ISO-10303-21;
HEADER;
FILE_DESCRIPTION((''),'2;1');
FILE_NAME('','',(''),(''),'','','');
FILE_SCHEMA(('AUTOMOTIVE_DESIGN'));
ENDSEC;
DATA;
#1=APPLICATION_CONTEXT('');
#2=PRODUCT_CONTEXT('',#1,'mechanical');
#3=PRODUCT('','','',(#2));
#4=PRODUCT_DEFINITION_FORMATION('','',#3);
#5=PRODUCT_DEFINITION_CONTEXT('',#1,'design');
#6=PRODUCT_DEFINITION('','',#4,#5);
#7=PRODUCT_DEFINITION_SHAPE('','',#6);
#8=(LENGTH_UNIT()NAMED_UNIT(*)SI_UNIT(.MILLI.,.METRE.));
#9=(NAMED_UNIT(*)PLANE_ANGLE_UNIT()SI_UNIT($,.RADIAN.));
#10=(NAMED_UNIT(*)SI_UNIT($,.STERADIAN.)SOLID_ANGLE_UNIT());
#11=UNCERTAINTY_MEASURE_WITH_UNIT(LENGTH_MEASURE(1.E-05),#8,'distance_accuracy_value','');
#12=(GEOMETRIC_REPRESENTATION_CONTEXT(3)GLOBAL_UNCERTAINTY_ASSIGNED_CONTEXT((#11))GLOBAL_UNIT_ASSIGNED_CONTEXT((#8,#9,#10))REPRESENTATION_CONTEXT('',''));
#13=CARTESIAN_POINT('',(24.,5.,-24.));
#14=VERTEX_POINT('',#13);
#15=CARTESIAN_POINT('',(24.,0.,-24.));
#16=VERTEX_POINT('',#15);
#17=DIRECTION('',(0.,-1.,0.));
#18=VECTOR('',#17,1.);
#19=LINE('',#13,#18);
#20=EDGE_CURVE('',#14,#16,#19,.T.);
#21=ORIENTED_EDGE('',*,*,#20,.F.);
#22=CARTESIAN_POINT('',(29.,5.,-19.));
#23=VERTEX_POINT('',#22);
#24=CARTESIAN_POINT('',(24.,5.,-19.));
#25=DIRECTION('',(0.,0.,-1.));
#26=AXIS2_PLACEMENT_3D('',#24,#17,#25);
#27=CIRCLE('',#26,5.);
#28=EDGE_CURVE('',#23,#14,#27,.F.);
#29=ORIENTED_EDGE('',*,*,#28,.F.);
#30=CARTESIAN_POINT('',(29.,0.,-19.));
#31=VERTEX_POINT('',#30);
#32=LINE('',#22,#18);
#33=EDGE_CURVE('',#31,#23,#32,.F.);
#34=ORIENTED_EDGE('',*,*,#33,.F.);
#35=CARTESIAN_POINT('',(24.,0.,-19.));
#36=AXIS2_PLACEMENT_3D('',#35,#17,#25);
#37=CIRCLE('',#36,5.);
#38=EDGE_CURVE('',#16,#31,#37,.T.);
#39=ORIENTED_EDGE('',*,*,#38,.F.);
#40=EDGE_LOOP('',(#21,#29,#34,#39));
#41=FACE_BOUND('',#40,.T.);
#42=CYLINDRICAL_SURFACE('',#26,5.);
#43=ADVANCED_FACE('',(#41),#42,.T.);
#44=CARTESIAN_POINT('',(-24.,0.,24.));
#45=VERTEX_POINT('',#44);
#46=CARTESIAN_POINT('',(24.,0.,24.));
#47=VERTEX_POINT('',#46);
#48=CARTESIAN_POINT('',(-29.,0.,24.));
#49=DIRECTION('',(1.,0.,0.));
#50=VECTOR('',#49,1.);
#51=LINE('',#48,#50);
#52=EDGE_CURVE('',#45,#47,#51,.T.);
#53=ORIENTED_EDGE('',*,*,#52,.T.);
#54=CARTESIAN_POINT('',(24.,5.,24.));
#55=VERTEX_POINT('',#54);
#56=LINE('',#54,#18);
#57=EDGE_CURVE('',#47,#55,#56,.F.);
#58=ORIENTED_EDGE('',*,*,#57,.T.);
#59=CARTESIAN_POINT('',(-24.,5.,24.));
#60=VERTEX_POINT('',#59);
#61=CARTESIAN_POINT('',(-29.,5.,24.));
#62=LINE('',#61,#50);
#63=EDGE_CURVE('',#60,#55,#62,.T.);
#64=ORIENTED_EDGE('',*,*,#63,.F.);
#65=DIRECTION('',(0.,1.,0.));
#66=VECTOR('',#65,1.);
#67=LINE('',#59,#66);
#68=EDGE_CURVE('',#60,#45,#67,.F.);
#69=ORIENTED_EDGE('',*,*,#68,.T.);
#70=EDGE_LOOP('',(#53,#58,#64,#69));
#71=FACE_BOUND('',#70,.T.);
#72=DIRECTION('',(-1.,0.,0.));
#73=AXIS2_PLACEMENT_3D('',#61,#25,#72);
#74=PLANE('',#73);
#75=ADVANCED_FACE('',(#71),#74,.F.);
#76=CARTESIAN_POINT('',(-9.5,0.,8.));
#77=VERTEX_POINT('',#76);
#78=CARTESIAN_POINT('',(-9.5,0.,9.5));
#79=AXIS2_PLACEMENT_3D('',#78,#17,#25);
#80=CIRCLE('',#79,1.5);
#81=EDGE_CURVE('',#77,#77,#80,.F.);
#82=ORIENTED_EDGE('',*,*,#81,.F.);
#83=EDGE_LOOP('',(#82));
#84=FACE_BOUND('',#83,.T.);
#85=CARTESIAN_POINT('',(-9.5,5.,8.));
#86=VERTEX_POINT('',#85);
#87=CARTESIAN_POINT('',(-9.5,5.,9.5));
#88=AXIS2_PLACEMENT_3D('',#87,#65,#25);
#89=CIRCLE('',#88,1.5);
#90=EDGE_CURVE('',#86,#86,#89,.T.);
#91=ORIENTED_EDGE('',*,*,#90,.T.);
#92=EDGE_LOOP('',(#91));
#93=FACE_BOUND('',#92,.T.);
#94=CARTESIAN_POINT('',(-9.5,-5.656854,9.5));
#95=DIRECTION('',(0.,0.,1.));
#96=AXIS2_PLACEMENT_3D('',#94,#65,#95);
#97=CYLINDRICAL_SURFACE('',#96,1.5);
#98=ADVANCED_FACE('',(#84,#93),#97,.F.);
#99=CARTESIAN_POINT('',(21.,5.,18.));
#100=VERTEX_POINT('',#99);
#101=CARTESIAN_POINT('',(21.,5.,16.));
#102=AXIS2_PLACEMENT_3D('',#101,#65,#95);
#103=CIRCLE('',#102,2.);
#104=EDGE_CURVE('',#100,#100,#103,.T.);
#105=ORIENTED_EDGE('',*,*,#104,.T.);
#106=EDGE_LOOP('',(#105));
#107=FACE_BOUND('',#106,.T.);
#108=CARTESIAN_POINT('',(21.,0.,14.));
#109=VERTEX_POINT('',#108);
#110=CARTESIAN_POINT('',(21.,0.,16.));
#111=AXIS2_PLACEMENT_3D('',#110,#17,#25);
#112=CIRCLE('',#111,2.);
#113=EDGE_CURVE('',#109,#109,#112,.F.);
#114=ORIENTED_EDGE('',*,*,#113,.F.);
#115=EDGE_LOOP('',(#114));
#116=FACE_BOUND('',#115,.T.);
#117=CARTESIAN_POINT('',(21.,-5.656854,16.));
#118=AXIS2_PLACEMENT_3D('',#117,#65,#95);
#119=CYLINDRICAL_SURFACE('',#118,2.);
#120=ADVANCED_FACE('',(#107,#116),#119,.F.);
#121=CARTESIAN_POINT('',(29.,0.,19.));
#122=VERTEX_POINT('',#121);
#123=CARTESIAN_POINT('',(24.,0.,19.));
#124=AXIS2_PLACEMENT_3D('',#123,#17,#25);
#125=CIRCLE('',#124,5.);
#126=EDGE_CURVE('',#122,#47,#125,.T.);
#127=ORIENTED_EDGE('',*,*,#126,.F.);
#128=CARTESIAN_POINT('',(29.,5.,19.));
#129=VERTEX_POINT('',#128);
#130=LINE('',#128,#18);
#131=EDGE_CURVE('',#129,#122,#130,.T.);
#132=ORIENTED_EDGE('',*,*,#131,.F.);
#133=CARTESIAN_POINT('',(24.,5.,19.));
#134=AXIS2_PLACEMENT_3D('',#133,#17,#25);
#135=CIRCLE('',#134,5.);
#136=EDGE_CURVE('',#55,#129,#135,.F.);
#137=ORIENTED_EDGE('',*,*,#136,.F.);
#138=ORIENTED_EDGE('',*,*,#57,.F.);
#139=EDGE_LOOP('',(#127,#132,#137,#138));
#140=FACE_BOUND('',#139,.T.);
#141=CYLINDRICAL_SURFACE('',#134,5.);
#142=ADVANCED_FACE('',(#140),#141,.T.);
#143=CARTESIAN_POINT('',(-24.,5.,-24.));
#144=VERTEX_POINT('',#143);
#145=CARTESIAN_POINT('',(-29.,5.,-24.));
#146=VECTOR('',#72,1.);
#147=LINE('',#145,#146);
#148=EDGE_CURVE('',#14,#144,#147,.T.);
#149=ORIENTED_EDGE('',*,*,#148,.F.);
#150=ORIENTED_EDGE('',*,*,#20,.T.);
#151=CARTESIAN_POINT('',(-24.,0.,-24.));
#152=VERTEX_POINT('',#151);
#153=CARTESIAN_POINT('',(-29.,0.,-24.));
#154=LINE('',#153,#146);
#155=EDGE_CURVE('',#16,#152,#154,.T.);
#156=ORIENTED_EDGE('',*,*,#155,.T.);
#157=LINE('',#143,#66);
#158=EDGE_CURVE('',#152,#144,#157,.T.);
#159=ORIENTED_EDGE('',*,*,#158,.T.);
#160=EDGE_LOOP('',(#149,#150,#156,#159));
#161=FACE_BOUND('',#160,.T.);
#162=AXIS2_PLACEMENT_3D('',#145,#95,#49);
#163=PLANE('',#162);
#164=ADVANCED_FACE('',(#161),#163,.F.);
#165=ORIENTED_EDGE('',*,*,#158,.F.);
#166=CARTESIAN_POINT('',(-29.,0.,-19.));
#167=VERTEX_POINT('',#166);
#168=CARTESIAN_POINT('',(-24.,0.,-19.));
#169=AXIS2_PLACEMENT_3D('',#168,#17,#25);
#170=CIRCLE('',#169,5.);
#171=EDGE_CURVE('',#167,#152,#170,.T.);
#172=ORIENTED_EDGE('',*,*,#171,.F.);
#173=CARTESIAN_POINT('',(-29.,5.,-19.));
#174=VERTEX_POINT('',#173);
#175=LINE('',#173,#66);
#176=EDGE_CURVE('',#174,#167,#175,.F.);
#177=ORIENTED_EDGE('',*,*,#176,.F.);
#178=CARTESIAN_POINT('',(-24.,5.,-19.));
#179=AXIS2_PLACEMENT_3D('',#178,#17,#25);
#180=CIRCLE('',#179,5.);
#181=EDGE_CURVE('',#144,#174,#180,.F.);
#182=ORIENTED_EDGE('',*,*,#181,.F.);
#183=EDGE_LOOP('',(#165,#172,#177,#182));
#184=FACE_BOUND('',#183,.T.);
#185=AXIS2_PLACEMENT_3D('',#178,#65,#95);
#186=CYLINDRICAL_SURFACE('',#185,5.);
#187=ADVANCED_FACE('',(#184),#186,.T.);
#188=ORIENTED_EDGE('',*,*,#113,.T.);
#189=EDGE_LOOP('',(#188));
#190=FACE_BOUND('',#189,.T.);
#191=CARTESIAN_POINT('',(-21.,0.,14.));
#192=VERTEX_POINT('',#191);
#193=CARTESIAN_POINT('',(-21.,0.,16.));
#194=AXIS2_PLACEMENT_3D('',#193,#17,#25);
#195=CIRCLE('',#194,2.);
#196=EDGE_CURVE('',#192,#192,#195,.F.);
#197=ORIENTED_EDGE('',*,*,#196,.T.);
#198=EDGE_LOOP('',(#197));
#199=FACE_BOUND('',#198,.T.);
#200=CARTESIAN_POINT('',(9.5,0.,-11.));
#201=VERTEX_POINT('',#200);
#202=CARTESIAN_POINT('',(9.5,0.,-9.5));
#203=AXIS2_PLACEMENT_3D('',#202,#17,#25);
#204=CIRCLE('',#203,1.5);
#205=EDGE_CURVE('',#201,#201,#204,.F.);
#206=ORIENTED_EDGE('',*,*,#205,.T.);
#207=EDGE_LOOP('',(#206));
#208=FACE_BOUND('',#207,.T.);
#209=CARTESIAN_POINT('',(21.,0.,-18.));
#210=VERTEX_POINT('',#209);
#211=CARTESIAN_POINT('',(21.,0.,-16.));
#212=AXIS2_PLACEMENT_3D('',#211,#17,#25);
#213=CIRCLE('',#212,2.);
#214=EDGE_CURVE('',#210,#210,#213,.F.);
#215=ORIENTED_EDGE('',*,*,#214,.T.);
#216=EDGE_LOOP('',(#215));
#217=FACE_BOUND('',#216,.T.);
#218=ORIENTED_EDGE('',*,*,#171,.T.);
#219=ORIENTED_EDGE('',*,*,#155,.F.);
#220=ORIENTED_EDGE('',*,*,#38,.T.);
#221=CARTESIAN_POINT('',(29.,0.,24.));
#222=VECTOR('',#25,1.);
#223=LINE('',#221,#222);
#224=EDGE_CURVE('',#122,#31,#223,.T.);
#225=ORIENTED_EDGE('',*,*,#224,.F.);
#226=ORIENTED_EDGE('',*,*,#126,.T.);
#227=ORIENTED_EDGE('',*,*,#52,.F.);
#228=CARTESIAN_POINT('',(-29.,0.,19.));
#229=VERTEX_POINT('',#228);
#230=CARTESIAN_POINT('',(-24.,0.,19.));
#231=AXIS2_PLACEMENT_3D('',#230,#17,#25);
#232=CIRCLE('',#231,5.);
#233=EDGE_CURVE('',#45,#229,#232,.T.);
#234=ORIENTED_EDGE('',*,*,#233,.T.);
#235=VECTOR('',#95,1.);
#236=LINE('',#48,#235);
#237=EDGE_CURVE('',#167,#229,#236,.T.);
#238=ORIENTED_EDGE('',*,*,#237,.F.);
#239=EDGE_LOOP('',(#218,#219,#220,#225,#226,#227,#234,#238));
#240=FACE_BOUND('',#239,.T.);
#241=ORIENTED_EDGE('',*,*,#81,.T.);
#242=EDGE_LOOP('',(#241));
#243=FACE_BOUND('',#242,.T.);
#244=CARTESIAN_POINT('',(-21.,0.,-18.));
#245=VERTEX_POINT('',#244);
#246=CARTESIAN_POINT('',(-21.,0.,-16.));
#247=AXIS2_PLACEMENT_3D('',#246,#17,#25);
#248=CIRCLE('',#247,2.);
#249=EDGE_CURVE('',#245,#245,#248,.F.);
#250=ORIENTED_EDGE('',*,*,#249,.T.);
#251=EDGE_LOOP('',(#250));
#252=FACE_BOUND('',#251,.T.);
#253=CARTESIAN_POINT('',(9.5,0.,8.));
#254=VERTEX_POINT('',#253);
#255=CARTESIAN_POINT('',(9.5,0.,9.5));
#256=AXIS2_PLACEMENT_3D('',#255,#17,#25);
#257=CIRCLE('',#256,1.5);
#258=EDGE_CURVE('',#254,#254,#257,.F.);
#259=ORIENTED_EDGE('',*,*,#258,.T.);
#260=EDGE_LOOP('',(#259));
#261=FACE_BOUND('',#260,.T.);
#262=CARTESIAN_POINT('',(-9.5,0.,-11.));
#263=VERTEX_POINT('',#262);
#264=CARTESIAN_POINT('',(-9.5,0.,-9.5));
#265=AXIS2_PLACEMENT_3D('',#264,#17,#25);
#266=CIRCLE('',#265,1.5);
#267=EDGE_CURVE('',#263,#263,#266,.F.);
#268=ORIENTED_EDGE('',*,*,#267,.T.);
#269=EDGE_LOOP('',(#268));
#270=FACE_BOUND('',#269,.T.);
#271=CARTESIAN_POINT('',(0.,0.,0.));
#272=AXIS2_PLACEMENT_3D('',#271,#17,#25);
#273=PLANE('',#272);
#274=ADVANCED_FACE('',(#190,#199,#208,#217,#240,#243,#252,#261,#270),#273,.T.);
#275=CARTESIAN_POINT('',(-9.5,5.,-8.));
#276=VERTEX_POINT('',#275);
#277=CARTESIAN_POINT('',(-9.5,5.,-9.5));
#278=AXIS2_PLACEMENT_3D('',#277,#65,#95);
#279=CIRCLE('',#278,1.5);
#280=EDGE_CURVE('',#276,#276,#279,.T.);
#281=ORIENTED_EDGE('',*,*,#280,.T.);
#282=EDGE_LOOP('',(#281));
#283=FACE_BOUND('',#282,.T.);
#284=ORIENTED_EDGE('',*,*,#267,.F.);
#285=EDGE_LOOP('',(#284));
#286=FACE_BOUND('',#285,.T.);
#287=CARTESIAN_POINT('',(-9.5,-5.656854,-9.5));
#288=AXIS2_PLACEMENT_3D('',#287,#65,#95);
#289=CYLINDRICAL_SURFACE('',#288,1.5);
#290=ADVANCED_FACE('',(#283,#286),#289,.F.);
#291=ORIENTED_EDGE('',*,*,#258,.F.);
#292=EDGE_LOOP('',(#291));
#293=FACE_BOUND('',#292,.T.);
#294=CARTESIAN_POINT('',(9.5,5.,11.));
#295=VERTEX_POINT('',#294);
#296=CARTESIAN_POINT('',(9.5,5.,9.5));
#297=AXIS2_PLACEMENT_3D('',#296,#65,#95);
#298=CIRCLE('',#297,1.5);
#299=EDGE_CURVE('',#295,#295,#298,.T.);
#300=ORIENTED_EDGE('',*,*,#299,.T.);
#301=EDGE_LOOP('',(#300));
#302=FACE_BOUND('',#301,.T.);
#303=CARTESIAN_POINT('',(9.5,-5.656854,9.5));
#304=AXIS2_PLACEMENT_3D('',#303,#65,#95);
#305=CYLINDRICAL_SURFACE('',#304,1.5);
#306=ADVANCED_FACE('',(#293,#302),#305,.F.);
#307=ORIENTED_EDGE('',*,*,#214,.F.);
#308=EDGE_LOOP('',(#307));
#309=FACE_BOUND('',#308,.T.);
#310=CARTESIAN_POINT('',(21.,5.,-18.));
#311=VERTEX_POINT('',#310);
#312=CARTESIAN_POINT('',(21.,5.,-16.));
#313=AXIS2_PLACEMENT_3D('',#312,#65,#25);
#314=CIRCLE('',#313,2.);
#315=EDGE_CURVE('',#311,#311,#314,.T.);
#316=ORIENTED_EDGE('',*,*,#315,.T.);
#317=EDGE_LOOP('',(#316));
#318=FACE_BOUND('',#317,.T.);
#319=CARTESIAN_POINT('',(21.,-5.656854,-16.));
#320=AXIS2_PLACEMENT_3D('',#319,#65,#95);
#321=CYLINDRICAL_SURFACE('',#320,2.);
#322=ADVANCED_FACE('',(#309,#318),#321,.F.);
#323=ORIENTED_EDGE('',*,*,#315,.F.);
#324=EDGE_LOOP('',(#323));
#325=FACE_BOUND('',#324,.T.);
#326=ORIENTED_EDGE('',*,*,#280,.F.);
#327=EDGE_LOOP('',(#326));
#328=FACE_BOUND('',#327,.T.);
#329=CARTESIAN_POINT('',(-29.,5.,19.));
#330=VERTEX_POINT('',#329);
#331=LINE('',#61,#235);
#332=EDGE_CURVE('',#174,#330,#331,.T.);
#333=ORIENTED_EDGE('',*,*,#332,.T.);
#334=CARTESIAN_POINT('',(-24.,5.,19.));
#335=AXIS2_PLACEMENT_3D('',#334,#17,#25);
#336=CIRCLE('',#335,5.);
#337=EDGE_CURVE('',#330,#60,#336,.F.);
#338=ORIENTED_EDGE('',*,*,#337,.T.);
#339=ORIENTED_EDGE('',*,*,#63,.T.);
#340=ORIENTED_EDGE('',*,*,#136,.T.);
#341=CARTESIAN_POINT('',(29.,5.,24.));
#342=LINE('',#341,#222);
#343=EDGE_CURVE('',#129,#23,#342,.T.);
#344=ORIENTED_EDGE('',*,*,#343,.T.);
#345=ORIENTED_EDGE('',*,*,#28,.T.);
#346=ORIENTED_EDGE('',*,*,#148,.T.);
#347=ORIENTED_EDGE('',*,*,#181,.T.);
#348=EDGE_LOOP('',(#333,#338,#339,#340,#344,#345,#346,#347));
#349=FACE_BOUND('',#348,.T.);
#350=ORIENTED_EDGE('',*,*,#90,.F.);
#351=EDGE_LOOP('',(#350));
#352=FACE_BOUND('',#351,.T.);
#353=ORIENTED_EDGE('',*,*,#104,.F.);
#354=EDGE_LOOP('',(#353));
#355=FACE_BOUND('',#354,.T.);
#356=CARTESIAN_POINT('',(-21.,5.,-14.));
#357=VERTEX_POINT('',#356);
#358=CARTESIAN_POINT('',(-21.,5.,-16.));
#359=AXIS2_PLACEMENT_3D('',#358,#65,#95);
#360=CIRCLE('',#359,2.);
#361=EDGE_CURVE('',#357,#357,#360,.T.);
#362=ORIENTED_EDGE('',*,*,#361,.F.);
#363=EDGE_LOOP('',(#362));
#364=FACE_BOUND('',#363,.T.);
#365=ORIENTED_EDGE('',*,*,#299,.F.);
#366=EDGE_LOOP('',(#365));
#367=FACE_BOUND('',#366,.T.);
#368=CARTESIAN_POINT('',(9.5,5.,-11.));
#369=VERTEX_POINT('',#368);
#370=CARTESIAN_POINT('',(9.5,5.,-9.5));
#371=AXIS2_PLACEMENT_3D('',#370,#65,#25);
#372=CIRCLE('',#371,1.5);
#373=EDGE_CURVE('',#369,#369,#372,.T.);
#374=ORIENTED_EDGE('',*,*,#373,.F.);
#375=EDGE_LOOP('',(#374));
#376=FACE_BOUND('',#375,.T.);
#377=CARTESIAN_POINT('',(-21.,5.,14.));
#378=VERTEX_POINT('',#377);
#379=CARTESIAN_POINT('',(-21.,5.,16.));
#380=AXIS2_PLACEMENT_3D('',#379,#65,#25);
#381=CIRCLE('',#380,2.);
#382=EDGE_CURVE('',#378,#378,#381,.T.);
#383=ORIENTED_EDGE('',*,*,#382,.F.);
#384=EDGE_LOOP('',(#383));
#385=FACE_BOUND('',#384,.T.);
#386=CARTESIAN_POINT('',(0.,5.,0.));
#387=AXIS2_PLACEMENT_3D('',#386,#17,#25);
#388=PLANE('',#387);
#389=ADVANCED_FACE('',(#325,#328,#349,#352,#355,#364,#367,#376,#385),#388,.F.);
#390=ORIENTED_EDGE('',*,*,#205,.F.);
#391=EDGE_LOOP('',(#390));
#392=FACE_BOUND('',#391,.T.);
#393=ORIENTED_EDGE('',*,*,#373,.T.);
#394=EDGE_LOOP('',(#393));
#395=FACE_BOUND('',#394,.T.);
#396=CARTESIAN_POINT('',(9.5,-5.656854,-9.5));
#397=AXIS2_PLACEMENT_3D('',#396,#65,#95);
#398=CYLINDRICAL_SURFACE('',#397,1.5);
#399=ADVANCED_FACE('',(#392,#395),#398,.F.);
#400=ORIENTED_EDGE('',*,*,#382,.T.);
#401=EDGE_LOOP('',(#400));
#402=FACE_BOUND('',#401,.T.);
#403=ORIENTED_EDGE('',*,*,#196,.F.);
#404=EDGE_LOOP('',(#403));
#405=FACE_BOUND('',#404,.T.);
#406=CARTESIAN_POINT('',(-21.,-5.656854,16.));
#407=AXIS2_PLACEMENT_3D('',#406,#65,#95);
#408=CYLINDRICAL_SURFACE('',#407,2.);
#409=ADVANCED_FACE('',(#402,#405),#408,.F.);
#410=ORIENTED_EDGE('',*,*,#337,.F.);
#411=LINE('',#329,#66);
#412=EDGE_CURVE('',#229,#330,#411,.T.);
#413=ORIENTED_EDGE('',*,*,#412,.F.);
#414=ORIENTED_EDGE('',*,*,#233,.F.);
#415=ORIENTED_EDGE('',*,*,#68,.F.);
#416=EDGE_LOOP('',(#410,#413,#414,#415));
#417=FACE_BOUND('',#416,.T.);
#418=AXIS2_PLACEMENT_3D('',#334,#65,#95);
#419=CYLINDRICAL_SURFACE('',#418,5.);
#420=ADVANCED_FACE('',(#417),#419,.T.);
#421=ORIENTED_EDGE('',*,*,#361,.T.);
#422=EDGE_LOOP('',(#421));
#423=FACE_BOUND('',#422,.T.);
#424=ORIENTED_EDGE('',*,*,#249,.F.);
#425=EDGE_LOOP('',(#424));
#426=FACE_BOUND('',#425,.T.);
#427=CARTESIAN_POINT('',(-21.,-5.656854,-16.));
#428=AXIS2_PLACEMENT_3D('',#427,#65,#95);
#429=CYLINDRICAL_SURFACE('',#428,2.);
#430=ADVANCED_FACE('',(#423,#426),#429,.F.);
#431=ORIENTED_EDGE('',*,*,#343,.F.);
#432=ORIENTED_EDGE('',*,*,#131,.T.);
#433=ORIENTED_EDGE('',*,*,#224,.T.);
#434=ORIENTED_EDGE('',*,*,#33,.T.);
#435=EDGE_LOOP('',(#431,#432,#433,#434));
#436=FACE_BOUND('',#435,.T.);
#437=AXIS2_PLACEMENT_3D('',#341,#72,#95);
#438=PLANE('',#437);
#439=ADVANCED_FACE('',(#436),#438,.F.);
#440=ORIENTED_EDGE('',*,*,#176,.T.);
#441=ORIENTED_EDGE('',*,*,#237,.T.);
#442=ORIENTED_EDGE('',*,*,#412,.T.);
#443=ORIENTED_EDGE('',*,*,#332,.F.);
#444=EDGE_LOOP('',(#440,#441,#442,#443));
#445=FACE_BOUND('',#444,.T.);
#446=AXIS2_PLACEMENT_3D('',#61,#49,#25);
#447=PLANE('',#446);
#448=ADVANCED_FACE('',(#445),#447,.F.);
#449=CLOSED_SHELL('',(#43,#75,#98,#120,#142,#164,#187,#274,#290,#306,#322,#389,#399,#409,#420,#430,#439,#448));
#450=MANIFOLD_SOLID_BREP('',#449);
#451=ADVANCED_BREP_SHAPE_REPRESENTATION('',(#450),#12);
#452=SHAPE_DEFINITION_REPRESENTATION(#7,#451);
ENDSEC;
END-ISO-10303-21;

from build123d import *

# Parameters (mm, degrees)
SKETCH1_W           = 58
SKETCH1_H           = 48
BOSS_EXTRUDE1_DEPTH = 5
SKETCH2_R           = 2
SKETCH2_R_2         = 1.5
CUT_EXTRUDE1_DEPTH  = 5
FILLET1_R           = 5
FILLET2_R           = 5
FILLET3_R           = 5
FILLET4_R           = 5


with BuildPart() as part:
    # Sketch1 → Boss-Extrude1 (new body)
    with BuildSketch(Plane(origin=(0, 0, 0), x_dir=(1, 0, 0), z_dir=(0, 1, 0))):
        Rectangle(SKETCH1_W, SKETCH1_H)
    extrude(amount=BOSS_EXTRUDE1_DEPTH)

    # Sketch2 → Cut-Extrude1 (cut)
    with BuildSketch(Plane(origin=(0, 5, 0), x_dir=(1, 0, 0), z_dir=(0, 1, 0))):
        with Locations((21, -16)):
            Circle(SKETCH2_R)
        with Locations((-21, -16)):
            Circle(SKETCH2_R)
        with Locations((-21, 16)):
            Circle(SKETCH2_R)
        with Locations((21, 16)):
            Circle(SKETCH2_R)
        with Locations((9.5, -9.5)):
            Circle(SKETCH2_R_2)
        with Locations((-9.5, -9.5)):
            Circle(SKETCH2_R_2)
        with Locations((9.5, 9.5)):
            Circle(SKETCH2_R_2)
        with Locations((-9.5, 9.5)):
            Circle(SKETCH2_R_2)
    extrude(amount=-CUT_EXTRUDE1_DEPTH, mode=Mode.SUBTRACT)

    # Fillet1
    fillet1_edges = [part.edges().sort_by_distance(p)[0] for p in [
        (-29, 2.5, 24),
    ]]
    fillet(fillet1_edges, radius=FILLET1_R)

    # Fillet2
    fillet2_edges = [part.edges().sort_by_distance(p)[0] for p in [
        (29, 2.5, 24),
    ]]
    fillet(fillet2_edges, radius=FILLET2_R)

    # Fillet3
    fillet3_edges = [part.edges().sort_by_distance(p)[0] for p in [
        (29, 2.5, -24),
    ]]
    fillet(fillet3_edges, radius=FILLET3_R)

    # Fillet4
    fillet4_edges = [part.edges().sort_by_distance(p)[0] for p in [
        (-29, 2.5, -24),
    ]]
    fillet(fillet4_edges, radius=FILLET4_R)


solid = part.part
